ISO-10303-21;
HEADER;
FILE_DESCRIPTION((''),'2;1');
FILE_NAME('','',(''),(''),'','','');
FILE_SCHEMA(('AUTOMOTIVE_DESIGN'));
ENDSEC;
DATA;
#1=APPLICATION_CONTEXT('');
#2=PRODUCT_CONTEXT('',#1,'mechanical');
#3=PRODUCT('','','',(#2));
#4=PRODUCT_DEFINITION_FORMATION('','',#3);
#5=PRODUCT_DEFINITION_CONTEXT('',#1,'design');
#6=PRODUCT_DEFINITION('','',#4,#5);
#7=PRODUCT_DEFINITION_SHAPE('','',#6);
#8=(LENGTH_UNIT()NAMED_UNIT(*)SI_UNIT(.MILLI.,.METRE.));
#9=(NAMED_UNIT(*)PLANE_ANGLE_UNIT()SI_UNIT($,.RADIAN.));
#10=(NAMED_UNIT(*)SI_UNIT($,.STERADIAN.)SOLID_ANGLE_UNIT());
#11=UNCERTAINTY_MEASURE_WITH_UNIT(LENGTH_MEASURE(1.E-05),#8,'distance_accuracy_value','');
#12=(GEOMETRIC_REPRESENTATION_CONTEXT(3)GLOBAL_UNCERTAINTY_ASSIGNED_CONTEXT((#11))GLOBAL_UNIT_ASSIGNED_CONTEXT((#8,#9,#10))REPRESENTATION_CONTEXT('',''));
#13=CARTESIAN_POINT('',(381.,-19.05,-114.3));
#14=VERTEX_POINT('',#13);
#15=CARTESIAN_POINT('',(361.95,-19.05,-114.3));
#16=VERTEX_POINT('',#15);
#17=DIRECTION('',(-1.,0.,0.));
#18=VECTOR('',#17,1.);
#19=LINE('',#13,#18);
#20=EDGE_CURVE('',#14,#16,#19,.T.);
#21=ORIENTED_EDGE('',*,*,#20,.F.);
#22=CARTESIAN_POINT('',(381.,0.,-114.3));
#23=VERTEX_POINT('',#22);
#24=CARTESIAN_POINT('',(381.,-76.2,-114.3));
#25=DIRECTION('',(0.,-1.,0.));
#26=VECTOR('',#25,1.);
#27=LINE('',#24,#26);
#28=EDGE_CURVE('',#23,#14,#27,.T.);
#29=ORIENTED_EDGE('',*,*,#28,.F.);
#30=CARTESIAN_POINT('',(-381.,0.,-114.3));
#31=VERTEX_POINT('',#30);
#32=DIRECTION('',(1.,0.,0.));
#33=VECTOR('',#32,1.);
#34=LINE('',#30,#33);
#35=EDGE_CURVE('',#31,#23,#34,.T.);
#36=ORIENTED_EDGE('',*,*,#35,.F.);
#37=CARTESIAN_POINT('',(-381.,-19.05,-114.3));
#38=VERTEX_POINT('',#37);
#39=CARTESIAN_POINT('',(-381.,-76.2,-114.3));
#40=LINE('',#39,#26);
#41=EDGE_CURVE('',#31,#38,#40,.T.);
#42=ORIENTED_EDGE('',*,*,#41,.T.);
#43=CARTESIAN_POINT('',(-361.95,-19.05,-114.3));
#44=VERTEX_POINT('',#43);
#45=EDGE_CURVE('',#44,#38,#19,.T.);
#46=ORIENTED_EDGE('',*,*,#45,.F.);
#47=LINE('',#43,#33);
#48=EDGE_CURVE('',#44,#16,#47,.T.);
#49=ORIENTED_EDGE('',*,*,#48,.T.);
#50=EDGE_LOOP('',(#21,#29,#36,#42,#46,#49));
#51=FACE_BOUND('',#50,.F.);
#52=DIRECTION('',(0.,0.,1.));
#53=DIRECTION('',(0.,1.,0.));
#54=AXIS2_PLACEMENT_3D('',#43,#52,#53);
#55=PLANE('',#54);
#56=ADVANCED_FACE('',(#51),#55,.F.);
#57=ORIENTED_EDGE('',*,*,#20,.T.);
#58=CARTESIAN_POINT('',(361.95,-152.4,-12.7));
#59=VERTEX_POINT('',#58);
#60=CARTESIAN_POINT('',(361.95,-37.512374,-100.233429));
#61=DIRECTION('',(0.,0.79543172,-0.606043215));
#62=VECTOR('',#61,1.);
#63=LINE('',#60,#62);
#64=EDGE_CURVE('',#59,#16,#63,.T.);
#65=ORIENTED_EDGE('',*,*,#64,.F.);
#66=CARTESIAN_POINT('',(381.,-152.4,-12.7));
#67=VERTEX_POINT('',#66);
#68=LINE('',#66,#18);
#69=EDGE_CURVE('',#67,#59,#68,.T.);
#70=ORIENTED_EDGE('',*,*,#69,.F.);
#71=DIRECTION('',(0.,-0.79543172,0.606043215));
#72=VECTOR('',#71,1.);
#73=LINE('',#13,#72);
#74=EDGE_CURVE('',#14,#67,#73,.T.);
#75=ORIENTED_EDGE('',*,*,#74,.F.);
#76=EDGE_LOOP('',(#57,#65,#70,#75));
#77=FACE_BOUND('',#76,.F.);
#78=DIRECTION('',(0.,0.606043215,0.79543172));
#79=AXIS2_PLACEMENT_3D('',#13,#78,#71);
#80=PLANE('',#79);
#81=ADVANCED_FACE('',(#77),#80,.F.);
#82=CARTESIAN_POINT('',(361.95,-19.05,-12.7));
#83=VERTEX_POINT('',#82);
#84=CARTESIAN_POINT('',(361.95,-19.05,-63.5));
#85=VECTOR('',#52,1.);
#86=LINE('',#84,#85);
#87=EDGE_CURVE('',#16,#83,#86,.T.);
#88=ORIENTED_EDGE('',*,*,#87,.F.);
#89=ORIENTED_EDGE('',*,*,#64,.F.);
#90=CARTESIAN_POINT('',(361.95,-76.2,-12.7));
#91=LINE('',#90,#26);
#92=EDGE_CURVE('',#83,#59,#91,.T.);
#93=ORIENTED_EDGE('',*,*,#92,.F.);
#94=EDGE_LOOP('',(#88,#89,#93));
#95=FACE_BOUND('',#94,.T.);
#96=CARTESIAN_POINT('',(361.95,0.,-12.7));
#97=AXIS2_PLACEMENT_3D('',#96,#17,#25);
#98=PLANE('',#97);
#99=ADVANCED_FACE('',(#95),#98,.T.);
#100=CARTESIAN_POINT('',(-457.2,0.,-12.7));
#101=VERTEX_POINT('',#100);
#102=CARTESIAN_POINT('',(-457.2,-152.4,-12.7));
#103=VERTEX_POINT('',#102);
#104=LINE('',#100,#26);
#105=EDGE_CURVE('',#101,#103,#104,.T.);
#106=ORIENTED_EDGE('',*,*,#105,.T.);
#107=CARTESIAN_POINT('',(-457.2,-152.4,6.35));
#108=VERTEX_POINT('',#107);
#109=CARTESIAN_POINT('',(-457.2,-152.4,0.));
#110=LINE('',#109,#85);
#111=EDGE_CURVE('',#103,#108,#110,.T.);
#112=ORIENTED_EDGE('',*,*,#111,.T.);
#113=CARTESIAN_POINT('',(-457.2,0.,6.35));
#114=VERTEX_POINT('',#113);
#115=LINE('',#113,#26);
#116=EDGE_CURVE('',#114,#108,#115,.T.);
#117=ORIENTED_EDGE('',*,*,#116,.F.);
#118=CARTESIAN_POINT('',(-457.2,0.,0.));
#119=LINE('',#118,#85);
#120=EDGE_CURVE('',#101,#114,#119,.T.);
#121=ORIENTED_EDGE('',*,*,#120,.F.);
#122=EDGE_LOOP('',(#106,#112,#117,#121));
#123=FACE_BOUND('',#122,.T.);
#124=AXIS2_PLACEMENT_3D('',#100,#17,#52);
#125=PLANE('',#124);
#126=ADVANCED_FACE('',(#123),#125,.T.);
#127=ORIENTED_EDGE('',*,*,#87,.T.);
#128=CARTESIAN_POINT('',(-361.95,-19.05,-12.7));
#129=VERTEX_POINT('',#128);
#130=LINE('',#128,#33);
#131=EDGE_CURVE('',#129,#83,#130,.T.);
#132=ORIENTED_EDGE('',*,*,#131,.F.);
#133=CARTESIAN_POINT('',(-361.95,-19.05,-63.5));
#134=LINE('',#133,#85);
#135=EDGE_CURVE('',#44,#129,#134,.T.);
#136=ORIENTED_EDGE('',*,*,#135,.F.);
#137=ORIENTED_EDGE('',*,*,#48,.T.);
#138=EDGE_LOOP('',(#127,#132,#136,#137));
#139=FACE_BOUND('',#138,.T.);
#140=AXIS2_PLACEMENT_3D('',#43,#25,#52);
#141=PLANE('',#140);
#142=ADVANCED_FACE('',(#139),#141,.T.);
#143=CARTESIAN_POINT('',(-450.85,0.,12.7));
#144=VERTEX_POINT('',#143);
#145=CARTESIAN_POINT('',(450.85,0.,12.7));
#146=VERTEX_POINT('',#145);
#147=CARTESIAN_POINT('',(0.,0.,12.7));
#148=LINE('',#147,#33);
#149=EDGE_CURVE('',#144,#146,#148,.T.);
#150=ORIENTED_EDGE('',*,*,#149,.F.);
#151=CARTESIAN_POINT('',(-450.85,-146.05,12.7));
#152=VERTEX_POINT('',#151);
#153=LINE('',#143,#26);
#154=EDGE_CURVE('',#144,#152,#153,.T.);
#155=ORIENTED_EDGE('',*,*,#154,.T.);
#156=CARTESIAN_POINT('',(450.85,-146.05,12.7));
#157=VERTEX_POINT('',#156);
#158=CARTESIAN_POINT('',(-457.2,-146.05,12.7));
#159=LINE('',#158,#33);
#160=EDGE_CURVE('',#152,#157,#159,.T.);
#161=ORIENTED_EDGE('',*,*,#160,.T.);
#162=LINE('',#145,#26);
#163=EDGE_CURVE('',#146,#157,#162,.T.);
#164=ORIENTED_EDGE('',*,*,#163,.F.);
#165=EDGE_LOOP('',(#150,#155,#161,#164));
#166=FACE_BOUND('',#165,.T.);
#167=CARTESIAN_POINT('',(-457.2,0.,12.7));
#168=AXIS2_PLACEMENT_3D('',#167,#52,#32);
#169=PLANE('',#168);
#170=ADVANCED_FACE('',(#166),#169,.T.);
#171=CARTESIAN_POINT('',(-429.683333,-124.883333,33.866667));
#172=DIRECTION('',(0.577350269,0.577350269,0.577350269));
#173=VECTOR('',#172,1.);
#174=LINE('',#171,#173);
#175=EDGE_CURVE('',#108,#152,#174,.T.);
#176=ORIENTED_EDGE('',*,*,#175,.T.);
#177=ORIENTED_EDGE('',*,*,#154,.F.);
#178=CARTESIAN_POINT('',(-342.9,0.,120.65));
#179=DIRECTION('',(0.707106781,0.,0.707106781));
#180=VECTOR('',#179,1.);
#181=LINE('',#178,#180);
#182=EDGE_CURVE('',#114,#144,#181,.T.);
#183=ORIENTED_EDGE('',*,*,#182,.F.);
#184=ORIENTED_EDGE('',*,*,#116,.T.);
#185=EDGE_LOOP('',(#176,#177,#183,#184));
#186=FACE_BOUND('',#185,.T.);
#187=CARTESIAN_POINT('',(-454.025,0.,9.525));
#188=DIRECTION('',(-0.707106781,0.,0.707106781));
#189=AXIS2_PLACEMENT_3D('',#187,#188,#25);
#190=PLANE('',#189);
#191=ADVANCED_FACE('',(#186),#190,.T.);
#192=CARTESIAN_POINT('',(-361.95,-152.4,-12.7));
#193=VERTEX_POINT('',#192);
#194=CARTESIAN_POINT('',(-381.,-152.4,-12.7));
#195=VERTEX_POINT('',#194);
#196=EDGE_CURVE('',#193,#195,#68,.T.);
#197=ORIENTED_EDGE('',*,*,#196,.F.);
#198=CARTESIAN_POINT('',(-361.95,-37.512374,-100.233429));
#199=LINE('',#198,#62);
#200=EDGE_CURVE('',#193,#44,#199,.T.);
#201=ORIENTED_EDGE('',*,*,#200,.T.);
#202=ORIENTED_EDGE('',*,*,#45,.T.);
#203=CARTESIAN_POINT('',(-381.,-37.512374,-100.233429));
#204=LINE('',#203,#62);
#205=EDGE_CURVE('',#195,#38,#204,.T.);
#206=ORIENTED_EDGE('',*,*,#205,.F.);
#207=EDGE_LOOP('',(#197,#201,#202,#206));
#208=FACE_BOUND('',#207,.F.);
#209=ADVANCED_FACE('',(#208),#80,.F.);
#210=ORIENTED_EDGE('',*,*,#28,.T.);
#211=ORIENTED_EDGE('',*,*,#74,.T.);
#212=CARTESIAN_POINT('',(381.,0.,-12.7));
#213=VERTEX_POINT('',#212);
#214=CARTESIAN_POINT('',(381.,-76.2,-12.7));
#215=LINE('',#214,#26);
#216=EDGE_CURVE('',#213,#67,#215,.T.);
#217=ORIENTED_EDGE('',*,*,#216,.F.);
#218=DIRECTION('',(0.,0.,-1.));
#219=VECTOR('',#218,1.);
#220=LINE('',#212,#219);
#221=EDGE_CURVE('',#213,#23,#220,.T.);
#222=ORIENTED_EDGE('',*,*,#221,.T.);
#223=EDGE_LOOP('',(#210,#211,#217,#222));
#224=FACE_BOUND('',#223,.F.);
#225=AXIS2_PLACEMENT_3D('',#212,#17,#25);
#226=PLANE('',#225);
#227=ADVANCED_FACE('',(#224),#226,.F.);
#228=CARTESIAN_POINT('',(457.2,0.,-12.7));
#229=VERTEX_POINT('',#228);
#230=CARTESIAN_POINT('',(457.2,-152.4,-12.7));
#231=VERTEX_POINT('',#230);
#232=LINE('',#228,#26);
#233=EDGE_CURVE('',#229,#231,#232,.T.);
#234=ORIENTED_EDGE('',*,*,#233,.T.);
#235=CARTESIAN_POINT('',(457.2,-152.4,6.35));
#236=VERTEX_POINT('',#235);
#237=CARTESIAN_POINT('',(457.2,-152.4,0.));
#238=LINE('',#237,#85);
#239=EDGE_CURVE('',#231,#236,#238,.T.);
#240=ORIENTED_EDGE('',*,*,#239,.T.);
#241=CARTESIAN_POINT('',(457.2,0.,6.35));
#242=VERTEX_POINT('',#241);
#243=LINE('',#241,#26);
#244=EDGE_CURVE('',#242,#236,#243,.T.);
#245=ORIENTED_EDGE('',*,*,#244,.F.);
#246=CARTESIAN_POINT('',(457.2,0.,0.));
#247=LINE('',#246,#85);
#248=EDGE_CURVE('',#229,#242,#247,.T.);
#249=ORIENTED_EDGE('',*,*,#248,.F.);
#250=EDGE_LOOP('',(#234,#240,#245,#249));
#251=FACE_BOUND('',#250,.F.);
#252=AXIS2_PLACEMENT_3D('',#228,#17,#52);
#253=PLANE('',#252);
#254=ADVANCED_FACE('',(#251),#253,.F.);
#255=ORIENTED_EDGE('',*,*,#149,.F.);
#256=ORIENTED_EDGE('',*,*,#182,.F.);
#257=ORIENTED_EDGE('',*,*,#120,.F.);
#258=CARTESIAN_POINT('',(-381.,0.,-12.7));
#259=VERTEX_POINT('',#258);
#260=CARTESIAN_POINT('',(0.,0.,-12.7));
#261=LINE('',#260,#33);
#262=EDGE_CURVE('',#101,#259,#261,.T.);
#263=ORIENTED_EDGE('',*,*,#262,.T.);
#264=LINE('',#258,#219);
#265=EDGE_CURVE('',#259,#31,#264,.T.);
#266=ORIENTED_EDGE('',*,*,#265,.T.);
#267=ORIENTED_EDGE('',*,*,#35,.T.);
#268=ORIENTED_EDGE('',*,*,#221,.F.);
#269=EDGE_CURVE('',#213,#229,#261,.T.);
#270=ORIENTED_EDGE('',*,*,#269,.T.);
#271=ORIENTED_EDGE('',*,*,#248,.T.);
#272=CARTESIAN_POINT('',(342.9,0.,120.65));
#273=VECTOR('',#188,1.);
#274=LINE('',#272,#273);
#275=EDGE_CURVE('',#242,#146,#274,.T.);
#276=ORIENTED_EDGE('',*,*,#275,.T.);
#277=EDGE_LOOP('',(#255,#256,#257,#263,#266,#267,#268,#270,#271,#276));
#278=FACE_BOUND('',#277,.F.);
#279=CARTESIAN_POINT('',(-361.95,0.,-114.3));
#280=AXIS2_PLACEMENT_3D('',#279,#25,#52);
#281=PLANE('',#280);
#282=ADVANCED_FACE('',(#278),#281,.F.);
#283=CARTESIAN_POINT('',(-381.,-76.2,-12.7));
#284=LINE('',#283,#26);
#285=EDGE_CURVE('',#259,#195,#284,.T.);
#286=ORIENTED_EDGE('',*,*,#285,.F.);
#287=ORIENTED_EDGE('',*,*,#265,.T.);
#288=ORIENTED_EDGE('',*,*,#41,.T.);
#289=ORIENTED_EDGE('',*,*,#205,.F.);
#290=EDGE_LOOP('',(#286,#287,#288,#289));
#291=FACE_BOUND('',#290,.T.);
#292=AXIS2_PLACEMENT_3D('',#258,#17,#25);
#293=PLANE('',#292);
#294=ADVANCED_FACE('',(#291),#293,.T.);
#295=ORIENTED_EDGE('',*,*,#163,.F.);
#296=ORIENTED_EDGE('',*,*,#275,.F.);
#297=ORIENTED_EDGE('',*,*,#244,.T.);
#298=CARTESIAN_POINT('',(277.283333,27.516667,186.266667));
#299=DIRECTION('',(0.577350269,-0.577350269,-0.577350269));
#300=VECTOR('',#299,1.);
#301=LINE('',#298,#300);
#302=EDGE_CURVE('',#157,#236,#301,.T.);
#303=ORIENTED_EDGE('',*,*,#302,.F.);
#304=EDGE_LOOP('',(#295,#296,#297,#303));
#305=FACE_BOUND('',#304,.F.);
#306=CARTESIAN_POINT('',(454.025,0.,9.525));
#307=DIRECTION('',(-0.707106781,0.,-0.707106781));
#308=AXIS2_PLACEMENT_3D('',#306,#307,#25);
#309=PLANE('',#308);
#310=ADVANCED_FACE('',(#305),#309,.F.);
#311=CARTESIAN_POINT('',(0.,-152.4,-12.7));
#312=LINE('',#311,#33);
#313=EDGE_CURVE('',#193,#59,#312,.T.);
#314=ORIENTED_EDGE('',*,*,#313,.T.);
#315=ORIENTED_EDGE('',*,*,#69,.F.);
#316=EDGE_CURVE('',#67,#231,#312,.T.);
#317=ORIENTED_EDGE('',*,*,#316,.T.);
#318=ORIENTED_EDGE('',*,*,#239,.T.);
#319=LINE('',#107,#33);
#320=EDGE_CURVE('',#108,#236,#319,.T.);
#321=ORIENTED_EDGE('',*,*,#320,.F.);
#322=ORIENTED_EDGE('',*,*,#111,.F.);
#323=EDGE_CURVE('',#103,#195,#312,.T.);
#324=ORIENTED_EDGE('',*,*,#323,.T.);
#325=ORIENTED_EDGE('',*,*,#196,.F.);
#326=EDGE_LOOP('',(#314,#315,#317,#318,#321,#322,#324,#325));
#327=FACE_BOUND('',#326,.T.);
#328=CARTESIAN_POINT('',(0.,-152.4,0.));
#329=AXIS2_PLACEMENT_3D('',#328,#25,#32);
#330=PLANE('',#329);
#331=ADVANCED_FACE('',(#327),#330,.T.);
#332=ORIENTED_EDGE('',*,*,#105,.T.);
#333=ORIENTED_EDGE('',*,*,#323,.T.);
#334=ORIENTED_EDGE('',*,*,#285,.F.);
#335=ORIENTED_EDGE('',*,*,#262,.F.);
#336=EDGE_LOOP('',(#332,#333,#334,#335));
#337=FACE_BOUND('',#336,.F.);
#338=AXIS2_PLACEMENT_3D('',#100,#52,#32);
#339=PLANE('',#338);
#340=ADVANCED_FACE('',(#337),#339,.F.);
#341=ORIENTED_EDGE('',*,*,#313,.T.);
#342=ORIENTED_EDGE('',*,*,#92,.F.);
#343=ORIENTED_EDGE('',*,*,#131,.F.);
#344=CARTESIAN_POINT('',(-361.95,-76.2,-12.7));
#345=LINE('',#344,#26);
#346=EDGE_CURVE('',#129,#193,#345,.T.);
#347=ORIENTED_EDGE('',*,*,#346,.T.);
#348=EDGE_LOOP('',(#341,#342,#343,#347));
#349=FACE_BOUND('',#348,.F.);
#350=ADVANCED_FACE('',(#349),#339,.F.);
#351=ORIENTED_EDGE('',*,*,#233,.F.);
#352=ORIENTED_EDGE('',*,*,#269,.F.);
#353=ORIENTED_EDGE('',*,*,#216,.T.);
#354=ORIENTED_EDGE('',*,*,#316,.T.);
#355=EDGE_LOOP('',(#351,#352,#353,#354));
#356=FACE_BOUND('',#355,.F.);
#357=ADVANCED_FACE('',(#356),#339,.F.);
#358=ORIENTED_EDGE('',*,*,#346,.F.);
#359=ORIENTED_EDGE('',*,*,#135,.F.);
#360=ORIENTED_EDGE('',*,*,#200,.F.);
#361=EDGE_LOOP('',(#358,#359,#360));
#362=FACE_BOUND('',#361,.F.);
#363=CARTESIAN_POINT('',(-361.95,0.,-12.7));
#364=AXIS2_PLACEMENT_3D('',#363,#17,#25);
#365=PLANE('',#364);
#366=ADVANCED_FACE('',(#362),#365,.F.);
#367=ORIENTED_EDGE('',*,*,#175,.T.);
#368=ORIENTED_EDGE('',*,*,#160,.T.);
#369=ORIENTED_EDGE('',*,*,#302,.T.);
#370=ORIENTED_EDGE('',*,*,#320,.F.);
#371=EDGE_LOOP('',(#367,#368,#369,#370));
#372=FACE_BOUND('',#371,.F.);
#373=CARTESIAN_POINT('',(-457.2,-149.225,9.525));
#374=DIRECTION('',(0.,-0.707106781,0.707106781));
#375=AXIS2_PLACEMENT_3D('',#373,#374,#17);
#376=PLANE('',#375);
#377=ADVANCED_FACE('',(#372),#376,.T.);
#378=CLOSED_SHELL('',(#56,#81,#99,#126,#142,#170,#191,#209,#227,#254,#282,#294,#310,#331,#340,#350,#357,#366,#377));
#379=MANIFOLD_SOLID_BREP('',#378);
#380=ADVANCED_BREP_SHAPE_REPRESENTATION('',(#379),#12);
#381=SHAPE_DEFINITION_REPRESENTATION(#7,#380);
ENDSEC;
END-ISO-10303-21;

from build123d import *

# Parameters (mm, degrees)
F0_W     = 914.4
F0_H     = 25.4
F1_DEPTH = 152.4
F2_SIZE  = 6.35
F3_W     = 19.05
F3_H     = 152.4
F4_DEPTH = 101.6
F6_DEPTH = 838.201
F7_W     = 19.05
F7_H     = 101.6
F8_DEPTH = 723.9


with BuildPart() as f1:
    # F0 (on Front) → F1 (new body)
    with BuildSketch(Plane.XZ):
        Rectangle(F0_W, F0_H)
    extrude(amount=F1_DEPTH)

    # F2
    f2_edges = [f1.edges().sort_by_distance(p)[0] for p in [
        (-457.2, -76.2, 12.7),
        (0, -152.4, 12.7),
        (457.2, -76.2, 12.7),
    ]]
    chamfer(f2_edges, length=F2_SIZE)

    # F3 (on face) → F4 (join)
    with BuildSketch(Plane(origin=(0, 0, -12.7), x_dir=(1, 0, 0), z_dir=(0, 0, -1))):
        with Locations((-371.475, 76.2)):
            Rectangle(F3_W, F3_H)
        with Locations((371.475, 76.2)):
            Rectangle(F3_W, F3_H)
    extrude(amount=F4_DEPTH)

    # F5 (on face) → F6 (cut, through all)
    with BuildSketch(Plane.YZ.offset(381)):
        Polygon((-19.05, -114.3), (-152.4, -12.7), (-152.4, -114.3), align=None)
    extrude(amount=-F6_DEPTH, mode=Mode.SUBTRACT)

    # F7 (on face) → F8 (join, through all)
    with BuildSketch(Plane.YZ.offset(-361.95)):
        with Locations((-9.525, -63.5)):
            Rectangle(F7_W, F7_H)
    extrude(amount=F8_DEPTH)


solid = f1.part
